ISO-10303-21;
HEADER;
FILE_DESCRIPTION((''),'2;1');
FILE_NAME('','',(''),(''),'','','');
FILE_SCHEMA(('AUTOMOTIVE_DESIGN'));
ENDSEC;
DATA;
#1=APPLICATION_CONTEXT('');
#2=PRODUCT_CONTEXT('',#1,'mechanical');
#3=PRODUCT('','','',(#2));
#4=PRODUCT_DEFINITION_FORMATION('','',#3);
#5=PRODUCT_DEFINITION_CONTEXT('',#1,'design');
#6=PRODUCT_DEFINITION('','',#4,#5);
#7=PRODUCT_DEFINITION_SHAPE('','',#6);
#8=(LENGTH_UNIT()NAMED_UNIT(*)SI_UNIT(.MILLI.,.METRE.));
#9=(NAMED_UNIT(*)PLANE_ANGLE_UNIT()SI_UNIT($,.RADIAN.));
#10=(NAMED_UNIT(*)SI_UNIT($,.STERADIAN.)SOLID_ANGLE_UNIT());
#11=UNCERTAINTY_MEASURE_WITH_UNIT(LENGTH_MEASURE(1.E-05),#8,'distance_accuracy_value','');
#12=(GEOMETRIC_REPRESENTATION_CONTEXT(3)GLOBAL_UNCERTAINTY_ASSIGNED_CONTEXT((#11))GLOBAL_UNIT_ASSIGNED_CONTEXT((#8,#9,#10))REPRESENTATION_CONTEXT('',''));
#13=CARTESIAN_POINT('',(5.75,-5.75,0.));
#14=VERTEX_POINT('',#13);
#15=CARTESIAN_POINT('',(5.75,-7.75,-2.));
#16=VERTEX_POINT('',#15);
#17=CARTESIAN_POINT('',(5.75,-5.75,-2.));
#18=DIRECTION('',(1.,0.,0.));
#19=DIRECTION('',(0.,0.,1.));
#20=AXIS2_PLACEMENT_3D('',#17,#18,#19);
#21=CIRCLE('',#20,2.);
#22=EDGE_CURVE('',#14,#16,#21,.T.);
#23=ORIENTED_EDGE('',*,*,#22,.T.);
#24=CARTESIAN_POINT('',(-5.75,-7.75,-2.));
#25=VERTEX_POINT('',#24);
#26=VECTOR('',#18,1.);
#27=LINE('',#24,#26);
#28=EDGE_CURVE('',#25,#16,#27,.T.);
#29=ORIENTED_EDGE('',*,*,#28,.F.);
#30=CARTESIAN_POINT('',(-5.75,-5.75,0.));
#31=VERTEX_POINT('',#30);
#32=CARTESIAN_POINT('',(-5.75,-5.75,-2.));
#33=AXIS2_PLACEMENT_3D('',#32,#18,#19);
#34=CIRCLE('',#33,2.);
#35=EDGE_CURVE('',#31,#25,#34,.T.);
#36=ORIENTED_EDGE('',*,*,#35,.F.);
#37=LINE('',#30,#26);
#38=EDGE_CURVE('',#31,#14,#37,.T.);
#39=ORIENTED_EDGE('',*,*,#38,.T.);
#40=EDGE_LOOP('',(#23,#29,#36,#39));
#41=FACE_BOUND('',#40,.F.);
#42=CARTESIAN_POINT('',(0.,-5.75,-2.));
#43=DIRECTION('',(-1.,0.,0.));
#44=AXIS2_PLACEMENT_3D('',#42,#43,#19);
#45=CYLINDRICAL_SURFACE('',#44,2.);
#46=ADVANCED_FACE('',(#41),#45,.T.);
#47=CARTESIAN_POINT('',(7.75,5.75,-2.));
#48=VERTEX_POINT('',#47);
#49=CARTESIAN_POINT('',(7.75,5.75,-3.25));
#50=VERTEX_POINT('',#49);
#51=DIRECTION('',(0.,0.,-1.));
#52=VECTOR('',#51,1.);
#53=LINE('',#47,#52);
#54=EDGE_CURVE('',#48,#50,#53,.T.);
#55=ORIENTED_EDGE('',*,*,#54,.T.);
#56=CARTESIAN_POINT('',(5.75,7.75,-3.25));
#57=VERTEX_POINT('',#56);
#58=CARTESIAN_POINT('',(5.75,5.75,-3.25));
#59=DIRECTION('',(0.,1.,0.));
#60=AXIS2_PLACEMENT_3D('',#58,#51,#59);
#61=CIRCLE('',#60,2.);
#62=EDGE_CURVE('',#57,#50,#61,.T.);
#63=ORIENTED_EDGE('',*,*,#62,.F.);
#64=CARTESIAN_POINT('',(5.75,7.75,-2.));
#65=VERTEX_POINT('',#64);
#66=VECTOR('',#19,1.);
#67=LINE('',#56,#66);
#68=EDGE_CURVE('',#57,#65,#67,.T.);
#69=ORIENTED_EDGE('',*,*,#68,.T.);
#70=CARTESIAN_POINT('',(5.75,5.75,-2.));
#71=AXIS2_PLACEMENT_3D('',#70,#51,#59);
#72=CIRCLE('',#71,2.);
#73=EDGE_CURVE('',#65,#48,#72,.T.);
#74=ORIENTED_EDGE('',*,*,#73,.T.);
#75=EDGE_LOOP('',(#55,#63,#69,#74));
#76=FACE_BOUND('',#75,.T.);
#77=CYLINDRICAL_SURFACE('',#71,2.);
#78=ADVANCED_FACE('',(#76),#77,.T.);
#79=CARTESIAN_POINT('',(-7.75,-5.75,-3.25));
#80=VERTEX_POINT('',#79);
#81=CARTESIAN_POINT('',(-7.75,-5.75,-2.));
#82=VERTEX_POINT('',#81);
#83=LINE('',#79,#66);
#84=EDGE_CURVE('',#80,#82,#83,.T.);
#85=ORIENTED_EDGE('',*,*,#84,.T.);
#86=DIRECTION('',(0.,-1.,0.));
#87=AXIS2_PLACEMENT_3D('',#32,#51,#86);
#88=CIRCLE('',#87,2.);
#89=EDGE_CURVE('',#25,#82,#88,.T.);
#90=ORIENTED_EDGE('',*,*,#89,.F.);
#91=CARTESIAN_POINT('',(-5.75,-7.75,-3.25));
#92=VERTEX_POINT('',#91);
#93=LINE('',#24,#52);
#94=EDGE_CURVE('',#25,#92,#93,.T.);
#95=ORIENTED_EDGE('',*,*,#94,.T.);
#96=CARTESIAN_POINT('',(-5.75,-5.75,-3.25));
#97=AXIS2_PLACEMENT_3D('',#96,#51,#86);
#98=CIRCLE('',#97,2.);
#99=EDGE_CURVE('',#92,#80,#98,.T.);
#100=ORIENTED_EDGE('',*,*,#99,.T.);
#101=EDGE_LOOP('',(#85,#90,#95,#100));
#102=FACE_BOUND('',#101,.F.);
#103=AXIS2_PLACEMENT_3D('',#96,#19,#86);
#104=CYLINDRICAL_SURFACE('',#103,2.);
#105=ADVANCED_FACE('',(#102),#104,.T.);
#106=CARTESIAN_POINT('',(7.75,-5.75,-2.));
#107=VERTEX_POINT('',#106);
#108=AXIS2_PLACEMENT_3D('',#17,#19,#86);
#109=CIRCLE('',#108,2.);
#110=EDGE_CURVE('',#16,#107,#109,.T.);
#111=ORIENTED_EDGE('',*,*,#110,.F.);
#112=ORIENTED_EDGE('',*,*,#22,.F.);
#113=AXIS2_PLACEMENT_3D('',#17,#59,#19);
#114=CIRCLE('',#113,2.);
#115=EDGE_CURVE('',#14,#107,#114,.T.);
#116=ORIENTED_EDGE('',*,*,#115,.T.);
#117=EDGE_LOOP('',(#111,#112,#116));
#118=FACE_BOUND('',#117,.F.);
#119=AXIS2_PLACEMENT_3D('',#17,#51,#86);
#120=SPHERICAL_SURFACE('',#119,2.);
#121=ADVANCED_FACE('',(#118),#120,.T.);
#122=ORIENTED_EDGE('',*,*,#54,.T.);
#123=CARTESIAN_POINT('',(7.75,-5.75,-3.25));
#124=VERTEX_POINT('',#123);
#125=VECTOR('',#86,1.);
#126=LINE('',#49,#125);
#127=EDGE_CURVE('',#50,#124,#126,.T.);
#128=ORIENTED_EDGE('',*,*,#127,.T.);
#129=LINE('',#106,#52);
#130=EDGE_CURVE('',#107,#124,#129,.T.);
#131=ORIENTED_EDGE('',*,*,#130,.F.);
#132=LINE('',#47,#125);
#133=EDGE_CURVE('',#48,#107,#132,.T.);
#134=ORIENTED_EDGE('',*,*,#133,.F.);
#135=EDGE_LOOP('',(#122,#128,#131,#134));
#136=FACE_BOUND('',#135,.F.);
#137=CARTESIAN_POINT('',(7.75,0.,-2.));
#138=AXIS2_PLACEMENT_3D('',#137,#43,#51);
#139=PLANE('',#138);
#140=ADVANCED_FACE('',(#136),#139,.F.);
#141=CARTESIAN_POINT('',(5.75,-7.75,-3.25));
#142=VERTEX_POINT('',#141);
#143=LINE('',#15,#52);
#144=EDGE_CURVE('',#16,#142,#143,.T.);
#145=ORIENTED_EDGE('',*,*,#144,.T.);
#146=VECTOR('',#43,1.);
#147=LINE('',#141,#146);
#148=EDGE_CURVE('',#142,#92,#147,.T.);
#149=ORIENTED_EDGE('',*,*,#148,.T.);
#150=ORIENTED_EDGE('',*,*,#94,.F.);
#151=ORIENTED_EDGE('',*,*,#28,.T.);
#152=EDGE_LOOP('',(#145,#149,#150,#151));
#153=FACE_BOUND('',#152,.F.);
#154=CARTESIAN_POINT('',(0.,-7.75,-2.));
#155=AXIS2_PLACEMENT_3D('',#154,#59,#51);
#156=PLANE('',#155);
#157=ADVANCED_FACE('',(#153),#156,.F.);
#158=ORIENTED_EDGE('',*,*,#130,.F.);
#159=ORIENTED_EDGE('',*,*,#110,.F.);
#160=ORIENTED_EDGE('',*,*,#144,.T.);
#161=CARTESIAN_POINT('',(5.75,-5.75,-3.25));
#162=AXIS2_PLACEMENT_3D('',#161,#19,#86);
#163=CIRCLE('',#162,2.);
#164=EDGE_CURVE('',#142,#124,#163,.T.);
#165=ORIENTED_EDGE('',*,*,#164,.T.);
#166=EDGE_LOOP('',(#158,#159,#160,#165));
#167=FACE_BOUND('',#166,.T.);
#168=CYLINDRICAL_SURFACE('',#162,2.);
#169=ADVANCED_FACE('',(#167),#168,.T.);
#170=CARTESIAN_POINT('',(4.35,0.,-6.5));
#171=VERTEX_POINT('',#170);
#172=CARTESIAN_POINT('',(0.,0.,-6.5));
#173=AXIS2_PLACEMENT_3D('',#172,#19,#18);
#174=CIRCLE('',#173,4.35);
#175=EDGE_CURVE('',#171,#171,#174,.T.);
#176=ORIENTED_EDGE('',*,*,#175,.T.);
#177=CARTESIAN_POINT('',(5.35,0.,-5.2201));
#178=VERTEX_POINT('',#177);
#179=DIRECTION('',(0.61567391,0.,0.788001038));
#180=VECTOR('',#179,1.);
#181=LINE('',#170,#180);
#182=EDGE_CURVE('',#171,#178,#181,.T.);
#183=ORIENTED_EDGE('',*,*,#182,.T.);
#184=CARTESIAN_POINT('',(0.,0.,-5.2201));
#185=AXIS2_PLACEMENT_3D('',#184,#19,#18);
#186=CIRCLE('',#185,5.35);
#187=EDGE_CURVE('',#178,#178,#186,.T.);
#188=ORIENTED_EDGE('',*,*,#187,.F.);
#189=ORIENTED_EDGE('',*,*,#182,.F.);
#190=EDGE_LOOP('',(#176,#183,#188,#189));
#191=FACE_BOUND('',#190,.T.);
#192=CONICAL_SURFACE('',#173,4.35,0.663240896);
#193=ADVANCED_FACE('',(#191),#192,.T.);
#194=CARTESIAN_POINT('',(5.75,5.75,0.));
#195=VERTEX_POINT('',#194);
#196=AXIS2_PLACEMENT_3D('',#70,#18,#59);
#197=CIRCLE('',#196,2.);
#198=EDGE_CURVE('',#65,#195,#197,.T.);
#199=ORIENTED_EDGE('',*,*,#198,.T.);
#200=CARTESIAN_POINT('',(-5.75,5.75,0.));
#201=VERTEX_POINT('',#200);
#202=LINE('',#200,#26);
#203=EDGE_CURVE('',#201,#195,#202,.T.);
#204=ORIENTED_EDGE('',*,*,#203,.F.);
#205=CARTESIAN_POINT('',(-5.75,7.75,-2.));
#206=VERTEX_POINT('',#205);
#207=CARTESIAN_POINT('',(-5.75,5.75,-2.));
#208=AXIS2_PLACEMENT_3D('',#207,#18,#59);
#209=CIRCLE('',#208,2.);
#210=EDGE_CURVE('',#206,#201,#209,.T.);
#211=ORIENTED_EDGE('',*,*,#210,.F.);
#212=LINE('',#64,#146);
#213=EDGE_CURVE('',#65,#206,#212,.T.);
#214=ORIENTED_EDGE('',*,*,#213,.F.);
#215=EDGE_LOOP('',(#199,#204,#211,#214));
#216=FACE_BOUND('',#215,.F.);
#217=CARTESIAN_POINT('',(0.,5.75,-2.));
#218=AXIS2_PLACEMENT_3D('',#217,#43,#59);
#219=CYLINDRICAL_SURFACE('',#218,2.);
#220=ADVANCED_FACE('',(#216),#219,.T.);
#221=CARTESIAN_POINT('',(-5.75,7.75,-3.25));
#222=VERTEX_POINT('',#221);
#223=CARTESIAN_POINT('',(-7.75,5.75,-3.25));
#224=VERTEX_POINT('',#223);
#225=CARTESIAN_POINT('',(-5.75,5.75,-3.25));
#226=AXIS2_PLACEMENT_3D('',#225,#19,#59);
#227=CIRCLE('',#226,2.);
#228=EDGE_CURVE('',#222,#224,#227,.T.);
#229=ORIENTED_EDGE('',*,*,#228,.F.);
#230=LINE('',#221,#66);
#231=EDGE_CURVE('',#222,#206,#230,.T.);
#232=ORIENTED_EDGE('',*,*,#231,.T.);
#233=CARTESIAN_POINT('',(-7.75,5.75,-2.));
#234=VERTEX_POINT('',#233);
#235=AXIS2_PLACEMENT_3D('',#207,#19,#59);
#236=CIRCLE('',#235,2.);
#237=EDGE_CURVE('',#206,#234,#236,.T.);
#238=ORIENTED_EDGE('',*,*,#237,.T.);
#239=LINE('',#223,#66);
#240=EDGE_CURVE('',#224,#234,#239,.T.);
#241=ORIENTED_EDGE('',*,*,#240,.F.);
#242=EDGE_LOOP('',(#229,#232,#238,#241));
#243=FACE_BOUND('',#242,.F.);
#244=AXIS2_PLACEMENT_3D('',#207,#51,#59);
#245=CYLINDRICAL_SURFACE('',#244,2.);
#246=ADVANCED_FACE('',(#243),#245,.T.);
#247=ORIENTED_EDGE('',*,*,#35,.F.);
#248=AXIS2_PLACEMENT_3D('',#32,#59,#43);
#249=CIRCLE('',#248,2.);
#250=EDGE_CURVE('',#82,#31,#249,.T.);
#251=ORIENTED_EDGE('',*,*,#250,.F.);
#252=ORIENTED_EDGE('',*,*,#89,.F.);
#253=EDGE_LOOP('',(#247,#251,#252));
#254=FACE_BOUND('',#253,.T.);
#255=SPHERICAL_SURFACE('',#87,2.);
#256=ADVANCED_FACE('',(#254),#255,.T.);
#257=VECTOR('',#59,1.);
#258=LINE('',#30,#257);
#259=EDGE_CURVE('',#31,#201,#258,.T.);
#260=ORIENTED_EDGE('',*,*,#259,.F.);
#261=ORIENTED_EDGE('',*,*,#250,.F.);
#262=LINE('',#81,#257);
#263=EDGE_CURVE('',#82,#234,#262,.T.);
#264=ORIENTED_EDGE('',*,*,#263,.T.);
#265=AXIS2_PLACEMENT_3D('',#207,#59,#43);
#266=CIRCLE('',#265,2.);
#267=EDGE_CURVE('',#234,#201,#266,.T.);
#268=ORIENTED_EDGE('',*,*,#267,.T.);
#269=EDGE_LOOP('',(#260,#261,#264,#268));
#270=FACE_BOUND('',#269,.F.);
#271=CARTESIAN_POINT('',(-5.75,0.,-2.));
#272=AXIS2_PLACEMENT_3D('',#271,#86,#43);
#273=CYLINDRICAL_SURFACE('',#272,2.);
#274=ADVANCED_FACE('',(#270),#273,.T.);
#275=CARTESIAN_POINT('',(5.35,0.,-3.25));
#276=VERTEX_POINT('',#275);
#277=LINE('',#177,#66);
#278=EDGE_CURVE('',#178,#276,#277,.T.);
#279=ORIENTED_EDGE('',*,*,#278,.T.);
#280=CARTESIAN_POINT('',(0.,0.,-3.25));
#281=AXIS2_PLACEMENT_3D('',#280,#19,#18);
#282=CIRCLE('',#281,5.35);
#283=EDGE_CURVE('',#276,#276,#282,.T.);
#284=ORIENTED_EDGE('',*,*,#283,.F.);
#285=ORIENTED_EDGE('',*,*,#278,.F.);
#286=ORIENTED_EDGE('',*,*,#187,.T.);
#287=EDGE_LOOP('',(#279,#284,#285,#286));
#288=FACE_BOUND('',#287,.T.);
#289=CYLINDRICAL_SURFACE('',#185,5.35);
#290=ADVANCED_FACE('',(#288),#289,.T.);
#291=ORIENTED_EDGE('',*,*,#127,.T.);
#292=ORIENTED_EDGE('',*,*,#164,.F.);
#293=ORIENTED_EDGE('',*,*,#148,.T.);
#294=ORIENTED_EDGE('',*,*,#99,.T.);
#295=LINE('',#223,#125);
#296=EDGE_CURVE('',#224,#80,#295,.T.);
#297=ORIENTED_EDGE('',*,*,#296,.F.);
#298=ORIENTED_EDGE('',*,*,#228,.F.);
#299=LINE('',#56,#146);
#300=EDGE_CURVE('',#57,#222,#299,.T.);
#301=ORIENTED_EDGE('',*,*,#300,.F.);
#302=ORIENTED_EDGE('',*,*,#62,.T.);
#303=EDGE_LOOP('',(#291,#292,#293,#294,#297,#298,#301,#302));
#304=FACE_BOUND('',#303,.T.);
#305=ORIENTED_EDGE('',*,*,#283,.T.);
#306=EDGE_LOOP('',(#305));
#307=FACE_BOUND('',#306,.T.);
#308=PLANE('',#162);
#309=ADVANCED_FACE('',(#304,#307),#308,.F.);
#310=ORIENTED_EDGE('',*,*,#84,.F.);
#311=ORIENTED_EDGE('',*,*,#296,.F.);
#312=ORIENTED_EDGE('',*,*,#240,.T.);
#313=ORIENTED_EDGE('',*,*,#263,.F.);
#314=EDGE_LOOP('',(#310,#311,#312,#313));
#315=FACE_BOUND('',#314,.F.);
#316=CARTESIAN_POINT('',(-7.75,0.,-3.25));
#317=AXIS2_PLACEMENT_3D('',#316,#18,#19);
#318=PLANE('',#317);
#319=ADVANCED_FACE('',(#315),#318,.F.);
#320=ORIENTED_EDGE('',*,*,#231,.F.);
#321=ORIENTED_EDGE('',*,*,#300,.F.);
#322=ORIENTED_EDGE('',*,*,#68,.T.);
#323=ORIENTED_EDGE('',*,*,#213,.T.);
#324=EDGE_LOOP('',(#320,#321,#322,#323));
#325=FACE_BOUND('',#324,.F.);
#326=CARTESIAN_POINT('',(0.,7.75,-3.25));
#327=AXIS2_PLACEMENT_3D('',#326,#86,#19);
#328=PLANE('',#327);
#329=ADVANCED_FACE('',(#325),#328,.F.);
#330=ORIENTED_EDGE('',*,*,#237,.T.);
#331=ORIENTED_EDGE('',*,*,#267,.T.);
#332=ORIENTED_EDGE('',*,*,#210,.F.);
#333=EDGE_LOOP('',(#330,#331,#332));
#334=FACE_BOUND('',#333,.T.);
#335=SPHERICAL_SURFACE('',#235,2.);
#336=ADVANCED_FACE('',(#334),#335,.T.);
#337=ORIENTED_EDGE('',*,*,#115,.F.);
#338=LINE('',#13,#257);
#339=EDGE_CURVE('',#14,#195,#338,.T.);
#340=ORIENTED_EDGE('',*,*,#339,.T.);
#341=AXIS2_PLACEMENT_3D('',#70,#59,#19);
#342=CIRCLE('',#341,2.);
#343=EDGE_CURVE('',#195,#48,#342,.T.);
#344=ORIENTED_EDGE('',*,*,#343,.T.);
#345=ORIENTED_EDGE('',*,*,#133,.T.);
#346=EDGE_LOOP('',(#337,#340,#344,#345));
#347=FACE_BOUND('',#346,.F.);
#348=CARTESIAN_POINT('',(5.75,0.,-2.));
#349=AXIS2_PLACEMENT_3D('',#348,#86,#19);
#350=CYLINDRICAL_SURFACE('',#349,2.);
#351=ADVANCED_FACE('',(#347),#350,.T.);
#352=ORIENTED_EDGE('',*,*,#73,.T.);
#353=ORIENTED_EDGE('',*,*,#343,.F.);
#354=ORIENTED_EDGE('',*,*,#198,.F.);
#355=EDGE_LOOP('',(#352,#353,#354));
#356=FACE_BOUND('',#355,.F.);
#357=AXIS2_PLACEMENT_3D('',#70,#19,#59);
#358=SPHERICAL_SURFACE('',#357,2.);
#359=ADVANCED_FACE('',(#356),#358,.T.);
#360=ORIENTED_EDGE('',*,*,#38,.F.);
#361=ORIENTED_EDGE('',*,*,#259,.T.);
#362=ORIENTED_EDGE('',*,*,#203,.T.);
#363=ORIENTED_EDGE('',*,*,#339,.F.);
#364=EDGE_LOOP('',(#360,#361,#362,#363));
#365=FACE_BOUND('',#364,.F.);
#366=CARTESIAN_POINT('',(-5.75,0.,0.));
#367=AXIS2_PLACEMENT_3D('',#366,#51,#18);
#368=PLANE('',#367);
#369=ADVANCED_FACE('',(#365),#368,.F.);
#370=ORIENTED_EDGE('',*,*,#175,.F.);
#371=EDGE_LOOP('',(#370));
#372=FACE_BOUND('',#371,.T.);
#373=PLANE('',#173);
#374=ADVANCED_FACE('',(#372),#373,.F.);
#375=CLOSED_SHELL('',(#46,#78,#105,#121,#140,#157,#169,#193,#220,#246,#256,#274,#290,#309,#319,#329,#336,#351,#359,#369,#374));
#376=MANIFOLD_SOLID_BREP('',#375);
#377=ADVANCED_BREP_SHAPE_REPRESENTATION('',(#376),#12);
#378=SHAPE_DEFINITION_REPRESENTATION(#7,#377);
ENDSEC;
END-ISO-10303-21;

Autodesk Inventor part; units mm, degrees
sketch "Sketch_4" plane through (0, 0, 0) normal (0, 1, 0) x (-1, 0, 0)
  arc A0 (7.75, -2) -> (5.75, 0) centre (5.75, -2) ccw
  line L0 (5.75, 0) -> (-5.75, 0)
  arc A1 (-5.75, 0) -> (-7.75, -2) centre (-5.75, -2) ccw
  line L1 (-7.75, -2) -> (-7.75, -3.25)
  line L2 (-7.75, -3.25) -> (7.75, -3.25)
  line L3 (7.75, -3.25) -> (7.75, -2)
extrude "Extrusion1" add sketch "Sketch_4" along normal mid plane 11.5
sketch "Sketch_5" plane through (0, 0, 0) normal (1, 0, 0) x (0, 1, 0)
  line L0 (5.75, 0) -> (-5.75, 0)
  arc A0 (-5.75, 0) -> (-7.75, -2) centre (-5.75, -2) ccw
  line L1 (-7.75, -2) -> (-7.75, -3.25)
  line L2 (-7.75, -3.25) -> (7.75, -3.25)
  line L3 (7.75, -3.25) -> (7.75, -2)
  arc A1 (7.75, -2) -> (5.75, 0) centre (5.75, -2) ccw
extrude "Extrusion2" add sketch "Sketch_5" along normal mid plane 11.5
sketch "Sketch_6" plane through (-5.75, 0, 0) normal (1, 0, 0) x (0, 0, -1)
  line L0 (3.25, 5.75) -> (0, 5.75)
  arc A0 (2, 7.75) -> (0, 5.75) centre (2, 5.75) ccw
  line L1 (2, 7.75) -> (3.25, 7.75)
  line L2 (3.25, 7.75) -> (3.25, 5.75)
  line L3 (3.25, 5.75) -> (0, 5.75)
revolve "Revolution1" add sketch "Sketch_6" angle 90 about axis through (-5.75, 5.75, -3.25) along (0, 0, 1)
sketch "Sketch_7" plane through (-5.75, 0, 0) normal (1, 0, 0) x (0, 0, -1)
  line L0 (0, -5.75) -> (3.25, -5.75)
  line L1 (3.25, -5.75) -> (3.25, -7.75)
  line L2 (3.25, -7.75) -> (2, -7.75)
  arc A0 (0, -5.75) -> (2, -7.75) centre (2, -5.75) ccw
  line L3 (0, -5.75) -> (3.25, -5.75)
revolve "Revolution2" add sketch "Sketch_7" angle 90 about axis through (-5.75, -5.75, 0) along (0, 0, -1)
sketch "Sketch_8" plane through (5.75, 0, 0) normal (1, 0, 0) x (0, 0, -1)
  line L0 (3.25, 5.75) -> (0, 5.75)
  arc A0 (2, 7.75) -> (0, 5.75) centre (2, 5.75) ccw
  line L1 (2, 7.75) -> (3.25, 7.75)
  line L2 (3.25, 7.75) -> (3.25, 5.75)
  line L3 (3.25, 5.75) -> (0, 5.75)
revolve "Revolution3" add sketch "Sketch_8" angle 90 about axis through (5.75, 5.75, -3.25) along (0, 0, -1)
sketch "Sketch_9" plane through (5.75, 0, 0) normal (1, 0, 0) x (0, 0, -1)
  line L0 (0, -5.75) -> (3.25, -5.75)
  line L1 (3.25, -5.75) -> (3.25, -7.75)
  line L2 (3.25, -7.75) -> (2, -7.75)
  arc A0 (0, -5.75) -> (2, -7.75) centre (2, -5.75) ccw
  line L3 (0, -5.75) -> (3.25, -5.75)
revolve "Revolution4" add sketch "Sketch_9" angle 90 about axis through (5.75, -5.75, 0) along (0, 0, 1)
sketch "Sketch_10" plane through (0, 0, 0) normal (0, 1, 0) x (-1, 0, 0)
  line L0 (0, 0) -> (0, -6.5)
  line L1 (0, -6.5) -> (-4.35, -6.5)
  line L2 (-4.35, -6.5) -> (-5.35, -5.2201)
  line L3 (-5.35, -5.2201) -> (-5.35, 0)
  line L4 (-5.35, 0) -> (0, 0)
  line L5 (0, 0) -> (0, -6.5)
revolve "Revolution5" add sketch "Sketch_10" angle 360 about axis through (0, 0, 0) along (0, 0, 1)
ref_plane "CAP_XY" through (0, 0, 0) normal (0, 0, 1) x (1, 0, 0)
ref_plane "CAP_YZ" through (0, 0, 0) normal (1, 0, 0) x (0, 1, 0)
ref_plane "CAP_ZX" through (0, 0, 0) normal (0, 1, 0) x (0, 0, 1)
properties part number "0000-00189079(1)"
